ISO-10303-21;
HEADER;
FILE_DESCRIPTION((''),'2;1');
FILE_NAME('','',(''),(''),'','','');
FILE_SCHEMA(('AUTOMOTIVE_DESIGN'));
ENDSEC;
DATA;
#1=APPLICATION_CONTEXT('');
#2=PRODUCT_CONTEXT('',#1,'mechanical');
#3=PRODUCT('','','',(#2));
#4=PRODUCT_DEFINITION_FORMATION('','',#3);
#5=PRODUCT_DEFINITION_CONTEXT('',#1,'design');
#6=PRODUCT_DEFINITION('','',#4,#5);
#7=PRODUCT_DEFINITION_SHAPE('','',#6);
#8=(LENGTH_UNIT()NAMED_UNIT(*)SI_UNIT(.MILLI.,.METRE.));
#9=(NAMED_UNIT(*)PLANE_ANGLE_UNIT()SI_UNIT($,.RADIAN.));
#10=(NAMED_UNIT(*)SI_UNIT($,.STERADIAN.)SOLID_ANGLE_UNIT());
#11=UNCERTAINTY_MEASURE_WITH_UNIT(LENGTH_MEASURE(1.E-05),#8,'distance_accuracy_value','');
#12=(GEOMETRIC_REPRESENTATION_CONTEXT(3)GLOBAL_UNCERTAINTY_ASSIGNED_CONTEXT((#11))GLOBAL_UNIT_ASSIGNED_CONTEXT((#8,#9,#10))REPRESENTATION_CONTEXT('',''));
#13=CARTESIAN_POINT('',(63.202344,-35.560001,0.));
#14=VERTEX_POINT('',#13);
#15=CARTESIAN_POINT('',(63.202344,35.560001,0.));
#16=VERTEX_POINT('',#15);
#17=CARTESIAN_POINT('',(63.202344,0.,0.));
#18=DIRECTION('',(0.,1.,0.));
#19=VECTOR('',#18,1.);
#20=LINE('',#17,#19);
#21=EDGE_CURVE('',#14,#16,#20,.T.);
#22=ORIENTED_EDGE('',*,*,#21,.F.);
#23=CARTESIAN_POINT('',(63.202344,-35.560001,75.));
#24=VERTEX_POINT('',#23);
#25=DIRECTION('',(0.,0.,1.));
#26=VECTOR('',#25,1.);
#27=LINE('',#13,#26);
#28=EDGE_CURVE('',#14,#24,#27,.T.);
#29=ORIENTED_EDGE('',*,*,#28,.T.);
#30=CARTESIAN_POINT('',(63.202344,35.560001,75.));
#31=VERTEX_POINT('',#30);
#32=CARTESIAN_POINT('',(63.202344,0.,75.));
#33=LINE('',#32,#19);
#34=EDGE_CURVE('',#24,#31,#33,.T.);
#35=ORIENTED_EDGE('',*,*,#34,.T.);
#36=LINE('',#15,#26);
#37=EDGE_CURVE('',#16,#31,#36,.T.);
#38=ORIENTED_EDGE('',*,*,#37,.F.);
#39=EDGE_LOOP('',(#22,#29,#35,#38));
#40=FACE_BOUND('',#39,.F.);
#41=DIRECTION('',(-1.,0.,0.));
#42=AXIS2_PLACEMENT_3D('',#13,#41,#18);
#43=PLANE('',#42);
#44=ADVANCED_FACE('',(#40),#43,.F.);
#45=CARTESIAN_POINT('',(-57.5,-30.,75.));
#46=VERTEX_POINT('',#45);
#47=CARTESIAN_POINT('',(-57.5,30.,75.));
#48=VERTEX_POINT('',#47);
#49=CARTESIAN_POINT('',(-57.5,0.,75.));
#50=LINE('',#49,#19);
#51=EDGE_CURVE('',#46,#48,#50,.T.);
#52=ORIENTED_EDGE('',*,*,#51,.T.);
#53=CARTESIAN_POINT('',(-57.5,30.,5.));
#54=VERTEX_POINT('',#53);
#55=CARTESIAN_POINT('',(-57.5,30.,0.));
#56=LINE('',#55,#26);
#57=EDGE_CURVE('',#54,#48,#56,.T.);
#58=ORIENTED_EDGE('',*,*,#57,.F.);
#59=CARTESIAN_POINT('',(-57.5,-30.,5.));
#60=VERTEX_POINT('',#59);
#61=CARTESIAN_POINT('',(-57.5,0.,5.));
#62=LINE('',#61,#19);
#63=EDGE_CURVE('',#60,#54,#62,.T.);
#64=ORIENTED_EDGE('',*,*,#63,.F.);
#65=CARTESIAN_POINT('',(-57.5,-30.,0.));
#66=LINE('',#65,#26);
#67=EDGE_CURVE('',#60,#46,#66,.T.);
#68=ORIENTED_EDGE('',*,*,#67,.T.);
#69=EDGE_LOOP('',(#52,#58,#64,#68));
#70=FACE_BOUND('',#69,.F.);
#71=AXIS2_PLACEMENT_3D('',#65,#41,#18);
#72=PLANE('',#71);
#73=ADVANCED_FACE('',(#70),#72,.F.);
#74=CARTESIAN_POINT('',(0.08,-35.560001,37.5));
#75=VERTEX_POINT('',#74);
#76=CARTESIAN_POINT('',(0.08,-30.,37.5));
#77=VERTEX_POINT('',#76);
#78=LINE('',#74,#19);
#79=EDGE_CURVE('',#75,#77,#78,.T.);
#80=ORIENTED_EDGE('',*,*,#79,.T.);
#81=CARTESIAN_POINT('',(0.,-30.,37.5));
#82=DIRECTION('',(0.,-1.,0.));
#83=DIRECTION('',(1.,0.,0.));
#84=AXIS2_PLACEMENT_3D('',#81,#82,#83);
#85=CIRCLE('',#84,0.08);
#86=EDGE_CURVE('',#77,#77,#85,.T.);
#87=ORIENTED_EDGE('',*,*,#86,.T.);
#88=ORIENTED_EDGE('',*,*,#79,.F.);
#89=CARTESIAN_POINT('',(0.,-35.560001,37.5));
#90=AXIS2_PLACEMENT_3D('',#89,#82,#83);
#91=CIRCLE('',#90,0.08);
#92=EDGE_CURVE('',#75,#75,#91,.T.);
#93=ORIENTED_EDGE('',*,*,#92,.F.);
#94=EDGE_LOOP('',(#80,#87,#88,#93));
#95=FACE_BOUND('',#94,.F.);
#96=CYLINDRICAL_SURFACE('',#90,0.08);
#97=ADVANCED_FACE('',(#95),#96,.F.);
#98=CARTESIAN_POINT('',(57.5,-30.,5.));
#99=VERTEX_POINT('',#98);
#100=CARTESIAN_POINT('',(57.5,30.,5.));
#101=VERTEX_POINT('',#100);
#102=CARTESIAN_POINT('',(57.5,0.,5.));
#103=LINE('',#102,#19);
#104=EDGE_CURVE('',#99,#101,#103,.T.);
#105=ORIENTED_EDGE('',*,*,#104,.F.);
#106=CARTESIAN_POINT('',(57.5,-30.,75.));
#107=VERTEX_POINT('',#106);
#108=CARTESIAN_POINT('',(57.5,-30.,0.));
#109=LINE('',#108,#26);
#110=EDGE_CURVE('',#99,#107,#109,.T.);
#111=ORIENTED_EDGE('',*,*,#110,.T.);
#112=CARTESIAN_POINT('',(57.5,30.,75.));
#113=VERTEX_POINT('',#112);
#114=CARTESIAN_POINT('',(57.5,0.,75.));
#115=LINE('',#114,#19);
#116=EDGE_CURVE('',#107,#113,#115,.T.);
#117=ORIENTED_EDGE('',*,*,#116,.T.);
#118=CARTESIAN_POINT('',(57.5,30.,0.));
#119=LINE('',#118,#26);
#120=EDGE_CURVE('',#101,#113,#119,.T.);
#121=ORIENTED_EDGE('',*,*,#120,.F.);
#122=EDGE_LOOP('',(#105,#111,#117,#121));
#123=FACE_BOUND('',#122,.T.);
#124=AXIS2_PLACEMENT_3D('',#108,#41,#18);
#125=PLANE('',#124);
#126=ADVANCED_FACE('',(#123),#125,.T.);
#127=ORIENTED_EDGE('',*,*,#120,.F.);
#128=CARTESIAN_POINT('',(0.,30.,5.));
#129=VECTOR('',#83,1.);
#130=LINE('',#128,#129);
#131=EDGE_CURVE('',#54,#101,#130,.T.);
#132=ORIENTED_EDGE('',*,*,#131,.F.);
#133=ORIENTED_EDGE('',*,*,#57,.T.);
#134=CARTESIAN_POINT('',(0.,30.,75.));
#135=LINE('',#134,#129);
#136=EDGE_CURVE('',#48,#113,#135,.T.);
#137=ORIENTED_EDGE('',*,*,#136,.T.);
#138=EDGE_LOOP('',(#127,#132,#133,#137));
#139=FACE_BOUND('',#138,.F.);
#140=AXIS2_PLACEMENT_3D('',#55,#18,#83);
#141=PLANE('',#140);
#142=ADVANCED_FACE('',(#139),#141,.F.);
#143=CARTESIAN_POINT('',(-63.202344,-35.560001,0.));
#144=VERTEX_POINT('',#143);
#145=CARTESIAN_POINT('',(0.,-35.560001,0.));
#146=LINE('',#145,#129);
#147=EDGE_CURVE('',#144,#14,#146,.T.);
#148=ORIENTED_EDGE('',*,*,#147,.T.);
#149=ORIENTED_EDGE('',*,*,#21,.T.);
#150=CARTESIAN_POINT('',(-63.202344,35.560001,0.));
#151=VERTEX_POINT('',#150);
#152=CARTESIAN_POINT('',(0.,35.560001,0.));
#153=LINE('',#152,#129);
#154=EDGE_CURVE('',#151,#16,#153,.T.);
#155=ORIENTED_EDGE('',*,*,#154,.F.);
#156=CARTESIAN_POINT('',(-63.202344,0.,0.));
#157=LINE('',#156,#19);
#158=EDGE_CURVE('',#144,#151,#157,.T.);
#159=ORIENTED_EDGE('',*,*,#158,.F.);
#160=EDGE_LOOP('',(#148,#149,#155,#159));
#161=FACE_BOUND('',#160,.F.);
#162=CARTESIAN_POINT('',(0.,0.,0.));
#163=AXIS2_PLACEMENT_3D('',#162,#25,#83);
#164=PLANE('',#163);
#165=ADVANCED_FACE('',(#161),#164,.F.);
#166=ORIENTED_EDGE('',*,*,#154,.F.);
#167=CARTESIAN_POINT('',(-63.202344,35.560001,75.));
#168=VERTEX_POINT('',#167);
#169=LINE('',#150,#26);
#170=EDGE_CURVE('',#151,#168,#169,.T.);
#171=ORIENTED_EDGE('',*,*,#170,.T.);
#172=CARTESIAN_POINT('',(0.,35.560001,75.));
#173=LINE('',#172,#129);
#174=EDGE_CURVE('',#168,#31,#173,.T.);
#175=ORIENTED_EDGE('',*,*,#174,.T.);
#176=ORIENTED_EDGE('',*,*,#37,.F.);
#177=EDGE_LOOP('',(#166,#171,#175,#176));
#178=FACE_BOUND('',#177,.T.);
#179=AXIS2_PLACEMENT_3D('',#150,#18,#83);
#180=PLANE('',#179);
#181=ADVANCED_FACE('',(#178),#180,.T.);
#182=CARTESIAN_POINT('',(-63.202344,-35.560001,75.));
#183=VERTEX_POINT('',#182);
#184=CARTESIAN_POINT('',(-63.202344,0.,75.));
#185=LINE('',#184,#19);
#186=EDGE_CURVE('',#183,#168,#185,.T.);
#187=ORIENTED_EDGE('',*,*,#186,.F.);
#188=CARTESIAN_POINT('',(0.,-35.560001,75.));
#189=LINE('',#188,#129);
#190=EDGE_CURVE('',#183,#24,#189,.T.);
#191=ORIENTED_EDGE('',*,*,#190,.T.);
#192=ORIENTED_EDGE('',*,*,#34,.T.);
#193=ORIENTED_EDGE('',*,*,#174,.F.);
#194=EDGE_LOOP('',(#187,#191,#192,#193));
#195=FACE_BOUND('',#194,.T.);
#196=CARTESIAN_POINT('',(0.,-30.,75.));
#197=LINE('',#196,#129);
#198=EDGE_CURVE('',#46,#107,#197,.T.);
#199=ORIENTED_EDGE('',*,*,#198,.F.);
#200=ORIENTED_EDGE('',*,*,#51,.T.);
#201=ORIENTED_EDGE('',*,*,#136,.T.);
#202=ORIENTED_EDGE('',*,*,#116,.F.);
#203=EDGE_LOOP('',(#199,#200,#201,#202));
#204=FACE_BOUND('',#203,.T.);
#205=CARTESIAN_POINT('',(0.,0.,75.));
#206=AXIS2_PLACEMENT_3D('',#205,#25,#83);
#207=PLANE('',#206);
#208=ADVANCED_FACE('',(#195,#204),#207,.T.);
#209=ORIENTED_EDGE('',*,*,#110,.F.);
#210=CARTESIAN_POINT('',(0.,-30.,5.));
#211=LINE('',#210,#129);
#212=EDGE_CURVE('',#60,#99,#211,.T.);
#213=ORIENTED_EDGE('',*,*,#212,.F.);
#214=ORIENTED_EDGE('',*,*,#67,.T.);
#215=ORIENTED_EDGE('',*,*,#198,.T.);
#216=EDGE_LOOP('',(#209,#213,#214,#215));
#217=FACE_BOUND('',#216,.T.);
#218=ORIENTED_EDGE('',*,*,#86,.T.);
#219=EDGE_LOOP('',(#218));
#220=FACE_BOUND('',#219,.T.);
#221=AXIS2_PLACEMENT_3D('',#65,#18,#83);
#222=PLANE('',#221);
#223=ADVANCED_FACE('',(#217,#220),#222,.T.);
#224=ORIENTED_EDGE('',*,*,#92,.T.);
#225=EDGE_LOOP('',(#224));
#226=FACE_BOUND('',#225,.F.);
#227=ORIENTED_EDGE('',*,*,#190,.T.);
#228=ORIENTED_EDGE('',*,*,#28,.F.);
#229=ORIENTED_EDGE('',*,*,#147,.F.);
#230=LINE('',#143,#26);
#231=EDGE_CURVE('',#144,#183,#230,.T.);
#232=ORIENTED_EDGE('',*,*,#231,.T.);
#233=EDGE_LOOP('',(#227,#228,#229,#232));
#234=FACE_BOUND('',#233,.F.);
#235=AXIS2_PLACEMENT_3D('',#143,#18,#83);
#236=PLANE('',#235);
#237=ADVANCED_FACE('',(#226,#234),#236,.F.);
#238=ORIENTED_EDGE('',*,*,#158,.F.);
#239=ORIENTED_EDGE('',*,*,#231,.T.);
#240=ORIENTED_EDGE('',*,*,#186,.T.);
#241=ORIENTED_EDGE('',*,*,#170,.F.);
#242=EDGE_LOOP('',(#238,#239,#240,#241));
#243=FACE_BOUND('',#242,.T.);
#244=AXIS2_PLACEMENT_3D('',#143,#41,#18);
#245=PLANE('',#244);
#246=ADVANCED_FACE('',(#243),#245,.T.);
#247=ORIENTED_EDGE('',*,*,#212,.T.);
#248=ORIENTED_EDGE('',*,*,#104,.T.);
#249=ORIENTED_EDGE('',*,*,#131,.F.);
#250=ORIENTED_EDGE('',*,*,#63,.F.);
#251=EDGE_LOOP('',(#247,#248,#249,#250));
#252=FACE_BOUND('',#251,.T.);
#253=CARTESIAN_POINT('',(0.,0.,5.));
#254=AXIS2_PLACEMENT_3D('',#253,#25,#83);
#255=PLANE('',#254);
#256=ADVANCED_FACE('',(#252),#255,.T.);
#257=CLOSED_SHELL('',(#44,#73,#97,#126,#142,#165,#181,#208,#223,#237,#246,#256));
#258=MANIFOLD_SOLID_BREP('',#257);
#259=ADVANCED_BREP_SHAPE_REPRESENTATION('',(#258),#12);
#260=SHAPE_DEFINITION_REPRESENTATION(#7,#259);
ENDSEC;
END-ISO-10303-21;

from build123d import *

# Parameters (mm, degrees)
F0_W     = 115
F0_H     = 60
F2_DEPTH = 5
F1_W     = 126.404688
F1_H     = 71.120002
F1_W_2   = 115
F1_H_2   = 60
F3_DEPTH = 75
F4_R     = 0.08
F5_DEPTH = 7.5438


with BuildPart() as f2:
    # F0 (on Top) → F2 (new body)
    with BuildSketch(Plane.XY):
        Rectangle(F0_W, F0_H)
    extrude(amount=F2_DEPTH)

    # F1 (on face) → F3 (join)
    with BuildSketch(Plane.XY):
        Rectangle(F1_W, F1_H)
        Rectangle(F1_W_2, F1_H_2, mode=Mode.SUBTRACT)
    extrude(amount=F3_DEPTH)

    # F4 (on face) → F5 (cut)
    with BuildSketch(Plane.XZ.offset(35.560001)):
        with Locations((0, 37.5)):
            Circle(F4_R)
    extrude(amount=-F5_DEPTH, mode=Mode.SUBTRACT)


solid = f2.part
